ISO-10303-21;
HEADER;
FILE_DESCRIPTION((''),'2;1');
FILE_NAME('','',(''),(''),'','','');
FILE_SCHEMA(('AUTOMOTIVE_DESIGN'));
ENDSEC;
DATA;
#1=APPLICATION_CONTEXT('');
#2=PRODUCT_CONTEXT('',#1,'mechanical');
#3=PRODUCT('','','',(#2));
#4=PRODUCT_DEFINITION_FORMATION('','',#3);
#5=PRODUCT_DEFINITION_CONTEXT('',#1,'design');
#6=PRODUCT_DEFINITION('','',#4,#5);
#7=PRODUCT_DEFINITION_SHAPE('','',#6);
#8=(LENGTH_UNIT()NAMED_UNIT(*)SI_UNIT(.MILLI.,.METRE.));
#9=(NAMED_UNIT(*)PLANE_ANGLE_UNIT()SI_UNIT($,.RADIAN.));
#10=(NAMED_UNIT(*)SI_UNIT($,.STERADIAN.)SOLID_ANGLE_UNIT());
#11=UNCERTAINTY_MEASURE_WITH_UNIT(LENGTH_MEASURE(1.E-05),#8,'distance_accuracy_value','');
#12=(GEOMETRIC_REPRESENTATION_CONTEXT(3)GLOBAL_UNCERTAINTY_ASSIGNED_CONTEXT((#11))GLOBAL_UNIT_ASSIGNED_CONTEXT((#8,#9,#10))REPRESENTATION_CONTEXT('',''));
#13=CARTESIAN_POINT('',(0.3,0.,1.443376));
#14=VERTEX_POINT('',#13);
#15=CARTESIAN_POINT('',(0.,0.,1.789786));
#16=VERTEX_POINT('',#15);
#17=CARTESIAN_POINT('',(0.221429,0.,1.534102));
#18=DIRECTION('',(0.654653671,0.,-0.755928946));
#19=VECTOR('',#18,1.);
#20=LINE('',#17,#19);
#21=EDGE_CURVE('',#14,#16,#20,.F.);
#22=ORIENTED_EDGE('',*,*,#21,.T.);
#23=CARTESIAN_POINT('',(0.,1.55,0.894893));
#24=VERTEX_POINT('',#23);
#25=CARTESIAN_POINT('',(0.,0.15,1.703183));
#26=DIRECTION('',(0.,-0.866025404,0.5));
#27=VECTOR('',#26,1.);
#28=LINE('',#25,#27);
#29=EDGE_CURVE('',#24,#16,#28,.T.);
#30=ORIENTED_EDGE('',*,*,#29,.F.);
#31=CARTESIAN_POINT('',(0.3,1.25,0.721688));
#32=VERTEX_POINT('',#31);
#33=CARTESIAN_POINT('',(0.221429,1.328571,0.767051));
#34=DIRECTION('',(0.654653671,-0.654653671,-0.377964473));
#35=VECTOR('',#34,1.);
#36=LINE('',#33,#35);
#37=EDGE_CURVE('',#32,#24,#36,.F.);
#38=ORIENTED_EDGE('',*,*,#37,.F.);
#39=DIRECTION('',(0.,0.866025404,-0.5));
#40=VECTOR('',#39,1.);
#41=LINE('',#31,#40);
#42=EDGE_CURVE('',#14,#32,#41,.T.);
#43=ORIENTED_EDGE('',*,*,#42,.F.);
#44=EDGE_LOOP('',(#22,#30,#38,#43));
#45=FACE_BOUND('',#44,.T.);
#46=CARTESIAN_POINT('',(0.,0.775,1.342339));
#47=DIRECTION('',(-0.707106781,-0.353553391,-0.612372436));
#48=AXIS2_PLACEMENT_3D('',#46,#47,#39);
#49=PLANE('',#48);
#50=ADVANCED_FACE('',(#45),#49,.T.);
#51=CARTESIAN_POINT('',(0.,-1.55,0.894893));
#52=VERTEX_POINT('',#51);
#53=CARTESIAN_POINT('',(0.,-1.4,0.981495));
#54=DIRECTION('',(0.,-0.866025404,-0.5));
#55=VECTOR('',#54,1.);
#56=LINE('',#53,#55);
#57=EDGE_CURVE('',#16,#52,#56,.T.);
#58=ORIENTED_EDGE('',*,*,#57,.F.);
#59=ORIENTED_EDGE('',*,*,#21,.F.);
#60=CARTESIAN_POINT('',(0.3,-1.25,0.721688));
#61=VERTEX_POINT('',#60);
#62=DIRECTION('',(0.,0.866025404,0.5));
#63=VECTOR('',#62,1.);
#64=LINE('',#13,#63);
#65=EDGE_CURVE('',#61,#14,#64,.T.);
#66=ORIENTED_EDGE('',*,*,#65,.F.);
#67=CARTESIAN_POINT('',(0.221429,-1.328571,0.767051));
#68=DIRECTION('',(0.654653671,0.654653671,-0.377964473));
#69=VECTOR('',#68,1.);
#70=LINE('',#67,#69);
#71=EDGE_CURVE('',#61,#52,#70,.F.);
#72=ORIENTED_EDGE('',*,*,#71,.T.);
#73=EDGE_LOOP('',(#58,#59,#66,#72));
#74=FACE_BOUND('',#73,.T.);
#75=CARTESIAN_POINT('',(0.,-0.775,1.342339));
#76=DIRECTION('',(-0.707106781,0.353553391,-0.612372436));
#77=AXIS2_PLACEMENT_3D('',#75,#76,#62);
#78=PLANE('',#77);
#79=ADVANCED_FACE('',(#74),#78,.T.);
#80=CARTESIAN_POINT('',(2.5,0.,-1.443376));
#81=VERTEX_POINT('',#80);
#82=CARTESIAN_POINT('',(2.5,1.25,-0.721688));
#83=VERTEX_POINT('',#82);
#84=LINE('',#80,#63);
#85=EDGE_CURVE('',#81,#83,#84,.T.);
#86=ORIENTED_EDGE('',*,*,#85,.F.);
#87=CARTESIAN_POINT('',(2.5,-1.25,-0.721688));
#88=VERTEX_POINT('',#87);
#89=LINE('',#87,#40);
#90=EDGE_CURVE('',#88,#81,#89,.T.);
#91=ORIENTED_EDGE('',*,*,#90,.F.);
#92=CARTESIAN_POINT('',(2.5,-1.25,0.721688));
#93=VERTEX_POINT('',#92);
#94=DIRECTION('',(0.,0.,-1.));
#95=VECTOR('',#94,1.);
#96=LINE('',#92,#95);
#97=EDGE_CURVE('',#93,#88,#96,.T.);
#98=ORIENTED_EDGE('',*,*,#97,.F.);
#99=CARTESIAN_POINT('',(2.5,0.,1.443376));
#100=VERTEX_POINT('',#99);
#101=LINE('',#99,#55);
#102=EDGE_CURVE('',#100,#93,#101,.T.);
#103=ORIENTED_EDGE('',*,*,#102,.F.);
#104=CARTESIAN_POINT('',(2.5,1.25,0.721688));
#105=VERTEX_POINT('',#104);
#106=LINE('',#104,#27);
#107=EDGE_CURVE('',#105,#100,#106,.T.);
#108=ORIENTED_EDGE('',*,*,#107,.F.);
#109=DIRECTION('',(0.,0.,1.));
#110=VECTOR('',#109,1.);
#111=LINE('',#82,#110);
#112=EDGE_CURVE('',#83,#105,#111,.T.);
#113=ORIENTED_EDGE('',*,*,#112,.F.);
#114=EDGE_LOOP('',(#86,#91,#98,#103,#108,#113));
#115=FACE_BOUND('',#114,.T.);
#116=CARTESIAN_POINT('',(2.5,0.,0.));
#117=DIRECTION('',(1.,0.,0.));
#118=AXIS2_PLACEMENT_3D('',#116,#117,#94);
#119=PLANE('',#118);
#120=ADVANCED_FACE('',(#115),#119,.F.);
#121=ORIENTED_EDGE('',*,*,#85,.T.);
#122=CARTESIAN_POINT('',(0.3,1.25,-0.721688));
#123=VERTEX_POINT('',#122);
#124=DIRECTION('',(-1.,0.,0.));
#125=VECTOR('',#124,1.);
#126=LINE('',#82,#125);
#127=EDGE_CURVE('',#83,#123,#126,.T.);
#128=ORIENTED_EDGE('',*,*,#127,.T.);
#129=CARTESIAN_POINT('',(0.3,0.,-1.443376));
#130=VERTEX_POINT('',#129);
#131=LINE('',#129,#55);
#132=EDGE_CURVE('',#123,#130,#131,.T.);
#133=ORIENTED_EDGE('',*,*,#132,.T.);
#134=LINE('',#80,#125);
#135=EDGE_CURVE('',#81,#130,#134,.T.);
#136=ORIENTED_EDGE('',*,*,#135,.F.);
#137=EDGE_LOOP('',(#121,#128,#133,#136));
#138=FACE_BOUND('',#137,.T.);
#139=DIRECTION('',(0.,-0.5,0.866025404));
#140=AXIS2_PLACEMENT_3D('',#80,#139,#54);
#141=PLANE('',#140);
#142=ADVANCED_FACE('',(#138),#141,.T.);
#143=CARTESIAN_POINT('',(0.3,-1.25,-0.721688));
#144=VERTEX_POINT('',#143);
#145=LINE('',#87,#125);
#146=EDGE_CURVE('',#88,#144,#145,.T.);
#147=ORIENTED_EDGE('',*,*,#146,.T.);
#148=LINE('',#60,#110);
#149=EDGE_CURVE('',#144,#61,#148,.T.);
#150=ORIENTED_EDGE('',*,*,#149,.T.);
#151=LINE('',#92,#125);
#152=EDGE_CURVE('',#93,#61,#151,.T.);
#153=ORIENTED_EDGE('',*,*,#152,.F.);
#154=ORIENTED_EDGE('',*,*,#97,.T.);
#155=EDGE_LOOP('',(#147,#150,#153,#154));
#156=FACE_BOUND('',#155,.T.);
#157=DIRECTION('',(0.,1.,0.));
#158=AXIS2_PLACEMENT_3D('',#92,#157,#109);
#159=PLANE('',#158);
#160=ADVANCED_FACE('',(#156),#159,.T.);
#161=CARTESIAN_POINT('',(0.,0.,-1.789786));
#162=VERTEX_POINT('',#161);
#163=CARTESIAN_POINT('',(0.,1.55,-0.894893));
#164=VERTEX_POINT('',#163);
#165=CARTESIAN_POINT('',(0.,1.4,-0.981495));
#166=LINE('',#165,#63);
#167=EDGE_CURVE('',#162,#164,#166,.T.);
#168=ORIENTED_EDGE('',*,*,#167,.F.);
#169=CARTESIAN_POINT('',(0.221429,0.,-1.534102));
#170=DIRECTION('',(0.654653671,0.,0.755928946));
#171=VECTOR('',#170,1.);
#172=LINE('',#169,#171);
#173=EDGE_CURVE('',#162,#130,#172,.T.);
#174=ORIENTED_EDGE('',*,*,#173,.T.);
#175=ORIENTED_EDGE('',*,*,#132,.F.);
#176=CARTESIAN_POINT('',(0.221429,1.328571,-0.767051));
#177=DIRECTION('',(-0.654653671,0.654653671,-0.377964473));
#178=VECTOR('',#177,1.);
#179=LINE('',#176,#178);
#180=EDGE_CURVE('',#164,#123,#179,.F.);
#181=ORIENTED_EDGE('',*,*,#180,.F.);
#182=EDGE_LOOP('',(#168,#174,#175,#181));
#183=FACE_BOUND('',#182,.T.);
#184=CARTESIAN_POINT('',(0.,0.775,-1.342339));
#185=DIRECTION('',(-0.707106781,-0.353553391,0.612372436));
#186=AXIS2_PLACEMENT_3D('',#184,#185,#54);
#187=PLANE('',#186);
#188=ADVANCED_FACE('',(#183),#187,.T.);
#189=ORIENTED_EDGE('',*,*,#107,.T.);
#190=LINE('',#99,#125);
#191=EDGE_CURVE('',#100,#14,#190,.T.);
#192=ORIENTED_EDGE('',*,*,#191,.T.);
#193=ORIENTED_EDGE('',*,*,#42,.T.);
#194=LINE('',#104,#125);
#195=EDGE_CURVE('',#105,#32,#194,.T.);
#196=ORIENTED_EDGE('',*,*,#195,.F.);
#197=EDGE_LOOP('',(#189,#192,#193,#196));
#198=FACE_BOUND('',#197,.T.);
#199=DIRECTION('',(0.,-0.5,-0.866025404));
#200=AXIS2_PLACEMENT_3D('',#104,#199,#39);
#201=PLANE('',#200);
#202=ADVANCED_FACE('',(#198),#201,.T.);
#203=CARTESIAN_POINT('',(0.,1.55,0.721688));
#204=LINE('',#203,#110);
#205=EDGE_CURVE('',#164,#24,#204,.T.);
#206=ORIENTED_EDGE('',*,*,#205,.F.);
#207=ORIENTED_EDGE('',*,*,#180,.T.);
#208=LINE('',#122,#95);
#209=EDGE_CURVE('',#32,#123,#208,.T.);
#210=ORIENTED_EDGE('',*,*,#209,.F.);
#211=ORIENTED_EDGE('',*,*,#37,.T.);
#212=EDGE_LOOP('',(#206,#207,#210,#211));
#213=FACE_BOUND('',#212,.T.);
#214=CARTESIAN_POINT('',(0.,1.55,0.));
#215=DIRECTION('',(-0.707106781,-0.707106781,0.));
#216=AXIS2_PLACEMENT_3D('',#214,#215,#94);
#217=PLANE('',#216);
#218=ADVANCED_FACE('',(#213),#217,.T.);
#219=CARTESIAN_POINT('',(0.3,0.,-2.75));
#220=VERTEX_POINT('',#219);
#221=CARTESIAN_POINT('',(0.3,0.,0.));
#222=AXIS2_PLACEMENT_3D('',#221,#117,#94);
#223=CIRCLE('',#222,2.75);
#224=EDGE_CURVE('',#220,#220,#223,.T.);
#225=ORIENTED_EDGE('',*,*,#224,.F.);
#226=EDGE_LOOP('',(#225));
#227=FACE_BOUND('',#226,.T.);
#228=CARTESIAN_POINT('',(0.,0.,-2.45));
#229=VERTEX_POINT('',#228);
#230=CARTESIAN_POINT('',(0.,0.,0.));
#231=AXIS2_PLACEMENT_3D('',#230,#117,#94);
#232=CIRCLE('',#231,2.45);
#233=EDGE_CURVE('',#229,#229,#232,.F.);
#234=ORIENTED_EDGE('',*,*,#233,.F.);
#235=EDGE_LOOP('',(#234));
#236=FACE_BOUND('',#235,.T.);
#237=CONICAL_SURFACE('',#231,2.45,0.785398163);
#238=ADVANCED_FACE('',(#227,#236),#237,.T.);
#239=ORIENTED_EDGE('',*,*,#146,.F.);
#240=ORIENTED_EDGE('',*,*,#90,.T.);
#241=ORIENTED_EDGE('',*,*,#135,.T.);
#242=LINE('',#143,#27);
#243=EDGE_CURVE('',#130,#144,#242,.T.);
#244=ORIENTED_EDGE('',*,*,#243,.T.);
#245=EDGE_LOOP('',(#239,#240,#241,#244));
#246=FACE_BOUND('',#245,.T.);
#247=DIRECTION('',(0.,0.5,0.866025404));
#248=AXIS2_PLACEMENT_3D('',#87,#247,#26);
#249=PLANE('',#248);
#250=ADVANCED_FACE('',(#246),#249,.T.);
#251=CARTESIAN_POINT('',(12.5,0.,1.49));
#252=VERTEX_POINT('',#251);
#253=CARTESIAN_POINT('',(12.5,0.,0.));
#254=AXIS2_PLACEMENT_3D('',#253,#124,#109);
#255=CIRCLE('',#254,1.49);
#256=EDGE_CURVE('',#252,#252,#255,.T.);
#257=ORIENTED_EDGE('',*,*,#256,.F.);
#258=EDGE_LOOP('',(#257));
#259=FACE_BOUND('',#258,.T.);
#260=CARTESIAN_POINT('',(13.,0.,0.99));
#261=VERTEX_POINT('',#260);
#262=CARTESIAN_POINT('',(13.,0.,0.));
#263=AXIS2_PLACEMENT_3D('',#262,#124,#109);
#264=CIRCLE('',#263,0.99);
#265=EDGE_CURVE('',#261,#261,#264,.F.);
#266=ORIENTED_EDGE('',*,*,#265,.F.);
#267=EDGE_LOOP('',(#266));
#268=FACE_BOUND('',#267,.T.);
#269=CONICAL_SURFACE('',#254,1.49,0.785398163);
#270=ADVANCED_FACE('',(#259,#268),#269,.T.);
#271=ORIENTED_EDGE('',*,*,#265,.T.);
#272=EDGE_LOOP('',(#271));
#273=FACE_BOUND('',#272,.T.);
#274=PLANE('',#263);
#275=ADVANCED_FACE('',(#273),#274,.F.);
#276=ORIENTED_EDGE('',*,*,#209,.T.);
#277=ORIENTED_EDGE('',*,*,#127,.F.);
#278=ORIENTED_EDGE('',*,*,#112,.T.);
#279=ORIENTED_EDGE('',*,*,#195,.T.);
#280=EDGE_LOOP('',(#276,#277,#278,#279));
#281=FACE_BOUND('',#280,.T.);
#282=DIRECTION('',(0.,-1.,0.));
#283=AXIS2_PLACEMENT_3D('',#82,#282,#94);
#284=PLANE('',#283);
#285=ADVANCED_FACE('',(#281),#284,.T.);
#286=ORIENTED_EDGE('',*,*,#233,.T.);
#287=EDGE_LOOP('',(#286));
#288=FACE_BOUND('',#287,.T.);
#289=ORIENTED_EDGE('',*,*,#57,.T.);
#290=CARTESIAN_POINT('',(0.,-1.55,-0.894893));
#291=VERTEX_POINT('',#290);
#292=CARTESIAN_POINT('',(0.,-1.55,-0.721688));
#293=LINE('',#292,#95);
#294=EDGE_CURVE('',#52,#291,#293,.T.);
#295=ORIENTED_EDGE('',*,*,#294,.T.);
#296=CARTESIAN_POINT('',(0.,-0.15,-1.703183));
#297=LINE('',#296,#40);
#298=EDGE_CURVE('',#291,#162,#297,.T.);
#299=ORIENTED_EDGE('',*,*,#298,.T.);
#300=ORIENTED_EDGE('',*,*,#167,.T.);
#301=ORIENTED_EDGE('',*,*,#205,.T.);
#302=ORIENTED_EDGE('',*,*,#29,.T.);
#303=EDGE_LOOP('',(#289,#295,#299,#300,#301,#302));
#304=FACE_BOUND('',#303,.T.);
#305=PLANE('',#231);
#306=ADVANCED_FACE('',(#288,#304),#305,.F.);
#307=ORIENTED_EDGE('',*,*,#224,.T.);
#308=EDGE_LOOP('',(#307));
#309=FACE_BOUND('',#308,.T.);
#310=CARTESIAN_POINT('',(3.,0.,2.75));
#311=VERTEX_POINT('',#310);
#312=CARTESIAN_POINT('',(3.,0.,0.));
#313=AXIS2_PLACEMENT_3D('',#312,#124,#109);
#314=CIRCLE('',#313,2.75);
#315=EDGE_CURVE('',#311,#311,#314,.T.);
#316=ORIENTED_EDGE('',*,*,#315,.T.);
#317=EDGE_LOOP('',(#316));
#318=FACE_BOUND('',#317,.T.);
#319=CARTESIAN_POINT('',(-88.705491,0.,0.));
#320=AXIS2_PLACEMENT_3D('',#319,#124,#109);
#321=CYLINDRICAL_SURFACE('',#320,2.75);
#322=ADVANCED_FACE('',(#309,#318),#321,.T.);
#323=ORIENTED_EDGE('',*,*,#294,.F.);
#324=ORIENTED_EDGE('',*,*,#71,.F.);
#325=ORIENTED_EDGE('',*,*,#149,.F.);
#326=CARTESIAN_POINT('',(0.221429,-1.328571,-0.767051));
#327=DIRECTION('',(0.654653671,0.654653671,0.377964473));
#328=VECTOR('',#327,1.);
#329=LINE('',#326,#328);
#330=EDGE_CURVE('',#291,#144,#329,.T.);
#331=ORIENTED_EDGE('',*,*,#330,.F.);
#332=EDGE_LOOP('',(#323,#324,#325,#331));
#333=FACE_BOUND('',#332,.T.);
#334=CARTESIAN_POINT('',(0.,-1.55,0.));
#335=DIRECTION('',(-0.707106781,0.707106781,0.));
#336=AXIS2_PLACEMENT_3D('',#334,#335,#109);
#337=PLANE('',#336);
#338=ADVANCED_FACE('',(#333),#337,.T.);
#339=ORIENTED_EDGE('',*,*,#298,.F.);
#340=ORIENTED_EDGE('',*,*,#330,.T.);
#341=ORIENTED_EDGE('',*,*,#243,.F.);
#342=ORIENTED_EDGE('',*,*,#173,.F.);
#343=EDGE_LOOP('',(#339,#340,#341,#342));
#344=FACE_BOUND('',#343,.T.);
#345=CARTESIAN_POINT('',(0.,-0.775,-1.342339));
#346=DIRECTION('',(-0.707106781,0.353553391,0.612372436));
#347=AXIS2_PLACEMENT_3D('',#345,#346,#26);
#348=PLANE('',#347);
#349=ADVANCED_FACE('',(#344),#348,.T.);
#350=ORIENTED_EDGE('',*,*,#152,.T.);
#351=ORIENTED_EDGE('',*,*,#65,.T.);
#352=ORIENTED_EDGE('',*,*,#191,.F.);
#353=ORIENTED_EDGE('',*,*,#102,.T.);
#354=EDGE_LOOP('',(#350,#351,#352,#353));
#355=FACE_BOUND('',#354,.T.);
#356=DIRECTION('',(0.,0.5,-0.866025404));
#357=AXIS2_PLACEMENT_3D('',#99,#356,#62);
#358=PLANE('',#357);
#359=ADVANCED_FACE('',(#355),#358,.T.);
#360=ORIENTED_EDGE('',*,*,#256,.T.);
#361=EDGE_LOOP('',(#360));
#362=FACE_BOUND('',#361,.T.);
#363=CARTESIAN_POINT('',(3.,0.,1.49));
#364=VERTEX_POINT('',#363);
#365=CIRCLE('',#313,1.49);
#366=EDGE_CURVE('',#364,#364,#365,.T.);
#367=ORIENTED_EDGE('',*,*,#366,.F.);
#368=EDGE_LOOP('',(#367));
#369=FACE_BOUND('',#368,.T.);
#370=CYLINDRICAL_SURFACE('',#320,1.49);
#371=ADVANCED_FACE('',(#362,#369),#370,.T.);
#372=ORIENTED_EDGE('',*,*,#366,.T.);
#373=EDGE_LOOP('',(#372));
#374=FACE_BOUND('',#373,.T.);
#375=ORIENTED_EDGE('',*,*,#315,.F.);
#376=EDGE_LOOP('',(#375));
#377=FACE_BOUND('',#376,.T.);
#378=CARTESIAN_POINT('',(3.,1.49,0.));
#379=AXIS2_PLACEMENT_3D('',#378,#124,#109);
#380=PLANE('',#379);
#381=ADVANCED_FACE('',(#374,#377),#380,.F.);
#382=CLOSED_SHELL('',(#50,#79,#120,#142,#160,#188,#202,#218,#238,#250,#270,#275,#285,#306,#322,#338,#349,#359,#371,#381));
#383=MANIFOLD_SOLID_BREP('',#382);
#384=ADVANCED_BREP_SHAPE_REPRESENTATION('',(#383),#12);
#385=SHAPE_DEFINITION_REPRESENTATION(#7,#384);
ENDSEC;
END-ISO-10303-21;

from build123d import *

# Parameters (mm, degrees)
CHAMFER1_SIZE      = 0.5
CHAMFER2_SIZE      = 0.3
CUT_EXTRUDE1_DEPTH = 2.5
CHAMFER3_SIZE      = 0.3


with BuildPart() as part:
    # Sketch1 → Revolve1 (revolve)
    with BuildSketch(Plane.XY):
        Polygon((0, 0), (0, 2.75), (3, 2.75), (3, 1.49), (13, 1.49), (13, 0), align=None)
    revolve(axis=Axis((-88.705490849, 0, 0), (1, 0, 0)))

    # Chamfer1
    chamfer1_edges = [part.edges().sort_by_distance(p)[0] for p in [
        (13, -1.49, 0),
    ]]
    chamfer(chamfer1_edges, length=CHAMFER1_SIZE)

    # Chamfer2
    chamfer2_edges = [part.edges().sort_by_distance(p)[0] for p in [
        (0, -2.75, 0),
    ]]
    chamfer(chamfer2_edges, length=CHAMFER2_SIZE)

    # Sketch3 → Cut-Extrude1 (cut)
    with BuildSketch(Plane(origin=(0, 0, 0), x_dir=(0, 0, -1), z_dir=(1, 0, 0))):
        Polygon((-1.443375673, 0), (-0.721687836, -1.25), (0.721687836, -1.25), (1.443375673, 0), (0.721687836, 1.25), (-0.721687836, 1.25), align=None)
    extrude(amount=CUT_EXTRUDE1_DEPTH, mode=Mode.SUBTRACT)

    # Chamfer3
    chamfer3_edges = [part.edges().sort_by_distance(p)[0] for p in [
        (0, 0.625, 1.082531755),
        (0, -0.625, 1.082531755),
        (0, -1.25, 0),
        (0, -0.625, -1.082531755),
        (0, 0.625, -1.082531755),
        (0, 1.25, 0),
    ]]
    chamfer(chamfer3_edges, length=CHAMFER3_SIZE)


solid = part.part
